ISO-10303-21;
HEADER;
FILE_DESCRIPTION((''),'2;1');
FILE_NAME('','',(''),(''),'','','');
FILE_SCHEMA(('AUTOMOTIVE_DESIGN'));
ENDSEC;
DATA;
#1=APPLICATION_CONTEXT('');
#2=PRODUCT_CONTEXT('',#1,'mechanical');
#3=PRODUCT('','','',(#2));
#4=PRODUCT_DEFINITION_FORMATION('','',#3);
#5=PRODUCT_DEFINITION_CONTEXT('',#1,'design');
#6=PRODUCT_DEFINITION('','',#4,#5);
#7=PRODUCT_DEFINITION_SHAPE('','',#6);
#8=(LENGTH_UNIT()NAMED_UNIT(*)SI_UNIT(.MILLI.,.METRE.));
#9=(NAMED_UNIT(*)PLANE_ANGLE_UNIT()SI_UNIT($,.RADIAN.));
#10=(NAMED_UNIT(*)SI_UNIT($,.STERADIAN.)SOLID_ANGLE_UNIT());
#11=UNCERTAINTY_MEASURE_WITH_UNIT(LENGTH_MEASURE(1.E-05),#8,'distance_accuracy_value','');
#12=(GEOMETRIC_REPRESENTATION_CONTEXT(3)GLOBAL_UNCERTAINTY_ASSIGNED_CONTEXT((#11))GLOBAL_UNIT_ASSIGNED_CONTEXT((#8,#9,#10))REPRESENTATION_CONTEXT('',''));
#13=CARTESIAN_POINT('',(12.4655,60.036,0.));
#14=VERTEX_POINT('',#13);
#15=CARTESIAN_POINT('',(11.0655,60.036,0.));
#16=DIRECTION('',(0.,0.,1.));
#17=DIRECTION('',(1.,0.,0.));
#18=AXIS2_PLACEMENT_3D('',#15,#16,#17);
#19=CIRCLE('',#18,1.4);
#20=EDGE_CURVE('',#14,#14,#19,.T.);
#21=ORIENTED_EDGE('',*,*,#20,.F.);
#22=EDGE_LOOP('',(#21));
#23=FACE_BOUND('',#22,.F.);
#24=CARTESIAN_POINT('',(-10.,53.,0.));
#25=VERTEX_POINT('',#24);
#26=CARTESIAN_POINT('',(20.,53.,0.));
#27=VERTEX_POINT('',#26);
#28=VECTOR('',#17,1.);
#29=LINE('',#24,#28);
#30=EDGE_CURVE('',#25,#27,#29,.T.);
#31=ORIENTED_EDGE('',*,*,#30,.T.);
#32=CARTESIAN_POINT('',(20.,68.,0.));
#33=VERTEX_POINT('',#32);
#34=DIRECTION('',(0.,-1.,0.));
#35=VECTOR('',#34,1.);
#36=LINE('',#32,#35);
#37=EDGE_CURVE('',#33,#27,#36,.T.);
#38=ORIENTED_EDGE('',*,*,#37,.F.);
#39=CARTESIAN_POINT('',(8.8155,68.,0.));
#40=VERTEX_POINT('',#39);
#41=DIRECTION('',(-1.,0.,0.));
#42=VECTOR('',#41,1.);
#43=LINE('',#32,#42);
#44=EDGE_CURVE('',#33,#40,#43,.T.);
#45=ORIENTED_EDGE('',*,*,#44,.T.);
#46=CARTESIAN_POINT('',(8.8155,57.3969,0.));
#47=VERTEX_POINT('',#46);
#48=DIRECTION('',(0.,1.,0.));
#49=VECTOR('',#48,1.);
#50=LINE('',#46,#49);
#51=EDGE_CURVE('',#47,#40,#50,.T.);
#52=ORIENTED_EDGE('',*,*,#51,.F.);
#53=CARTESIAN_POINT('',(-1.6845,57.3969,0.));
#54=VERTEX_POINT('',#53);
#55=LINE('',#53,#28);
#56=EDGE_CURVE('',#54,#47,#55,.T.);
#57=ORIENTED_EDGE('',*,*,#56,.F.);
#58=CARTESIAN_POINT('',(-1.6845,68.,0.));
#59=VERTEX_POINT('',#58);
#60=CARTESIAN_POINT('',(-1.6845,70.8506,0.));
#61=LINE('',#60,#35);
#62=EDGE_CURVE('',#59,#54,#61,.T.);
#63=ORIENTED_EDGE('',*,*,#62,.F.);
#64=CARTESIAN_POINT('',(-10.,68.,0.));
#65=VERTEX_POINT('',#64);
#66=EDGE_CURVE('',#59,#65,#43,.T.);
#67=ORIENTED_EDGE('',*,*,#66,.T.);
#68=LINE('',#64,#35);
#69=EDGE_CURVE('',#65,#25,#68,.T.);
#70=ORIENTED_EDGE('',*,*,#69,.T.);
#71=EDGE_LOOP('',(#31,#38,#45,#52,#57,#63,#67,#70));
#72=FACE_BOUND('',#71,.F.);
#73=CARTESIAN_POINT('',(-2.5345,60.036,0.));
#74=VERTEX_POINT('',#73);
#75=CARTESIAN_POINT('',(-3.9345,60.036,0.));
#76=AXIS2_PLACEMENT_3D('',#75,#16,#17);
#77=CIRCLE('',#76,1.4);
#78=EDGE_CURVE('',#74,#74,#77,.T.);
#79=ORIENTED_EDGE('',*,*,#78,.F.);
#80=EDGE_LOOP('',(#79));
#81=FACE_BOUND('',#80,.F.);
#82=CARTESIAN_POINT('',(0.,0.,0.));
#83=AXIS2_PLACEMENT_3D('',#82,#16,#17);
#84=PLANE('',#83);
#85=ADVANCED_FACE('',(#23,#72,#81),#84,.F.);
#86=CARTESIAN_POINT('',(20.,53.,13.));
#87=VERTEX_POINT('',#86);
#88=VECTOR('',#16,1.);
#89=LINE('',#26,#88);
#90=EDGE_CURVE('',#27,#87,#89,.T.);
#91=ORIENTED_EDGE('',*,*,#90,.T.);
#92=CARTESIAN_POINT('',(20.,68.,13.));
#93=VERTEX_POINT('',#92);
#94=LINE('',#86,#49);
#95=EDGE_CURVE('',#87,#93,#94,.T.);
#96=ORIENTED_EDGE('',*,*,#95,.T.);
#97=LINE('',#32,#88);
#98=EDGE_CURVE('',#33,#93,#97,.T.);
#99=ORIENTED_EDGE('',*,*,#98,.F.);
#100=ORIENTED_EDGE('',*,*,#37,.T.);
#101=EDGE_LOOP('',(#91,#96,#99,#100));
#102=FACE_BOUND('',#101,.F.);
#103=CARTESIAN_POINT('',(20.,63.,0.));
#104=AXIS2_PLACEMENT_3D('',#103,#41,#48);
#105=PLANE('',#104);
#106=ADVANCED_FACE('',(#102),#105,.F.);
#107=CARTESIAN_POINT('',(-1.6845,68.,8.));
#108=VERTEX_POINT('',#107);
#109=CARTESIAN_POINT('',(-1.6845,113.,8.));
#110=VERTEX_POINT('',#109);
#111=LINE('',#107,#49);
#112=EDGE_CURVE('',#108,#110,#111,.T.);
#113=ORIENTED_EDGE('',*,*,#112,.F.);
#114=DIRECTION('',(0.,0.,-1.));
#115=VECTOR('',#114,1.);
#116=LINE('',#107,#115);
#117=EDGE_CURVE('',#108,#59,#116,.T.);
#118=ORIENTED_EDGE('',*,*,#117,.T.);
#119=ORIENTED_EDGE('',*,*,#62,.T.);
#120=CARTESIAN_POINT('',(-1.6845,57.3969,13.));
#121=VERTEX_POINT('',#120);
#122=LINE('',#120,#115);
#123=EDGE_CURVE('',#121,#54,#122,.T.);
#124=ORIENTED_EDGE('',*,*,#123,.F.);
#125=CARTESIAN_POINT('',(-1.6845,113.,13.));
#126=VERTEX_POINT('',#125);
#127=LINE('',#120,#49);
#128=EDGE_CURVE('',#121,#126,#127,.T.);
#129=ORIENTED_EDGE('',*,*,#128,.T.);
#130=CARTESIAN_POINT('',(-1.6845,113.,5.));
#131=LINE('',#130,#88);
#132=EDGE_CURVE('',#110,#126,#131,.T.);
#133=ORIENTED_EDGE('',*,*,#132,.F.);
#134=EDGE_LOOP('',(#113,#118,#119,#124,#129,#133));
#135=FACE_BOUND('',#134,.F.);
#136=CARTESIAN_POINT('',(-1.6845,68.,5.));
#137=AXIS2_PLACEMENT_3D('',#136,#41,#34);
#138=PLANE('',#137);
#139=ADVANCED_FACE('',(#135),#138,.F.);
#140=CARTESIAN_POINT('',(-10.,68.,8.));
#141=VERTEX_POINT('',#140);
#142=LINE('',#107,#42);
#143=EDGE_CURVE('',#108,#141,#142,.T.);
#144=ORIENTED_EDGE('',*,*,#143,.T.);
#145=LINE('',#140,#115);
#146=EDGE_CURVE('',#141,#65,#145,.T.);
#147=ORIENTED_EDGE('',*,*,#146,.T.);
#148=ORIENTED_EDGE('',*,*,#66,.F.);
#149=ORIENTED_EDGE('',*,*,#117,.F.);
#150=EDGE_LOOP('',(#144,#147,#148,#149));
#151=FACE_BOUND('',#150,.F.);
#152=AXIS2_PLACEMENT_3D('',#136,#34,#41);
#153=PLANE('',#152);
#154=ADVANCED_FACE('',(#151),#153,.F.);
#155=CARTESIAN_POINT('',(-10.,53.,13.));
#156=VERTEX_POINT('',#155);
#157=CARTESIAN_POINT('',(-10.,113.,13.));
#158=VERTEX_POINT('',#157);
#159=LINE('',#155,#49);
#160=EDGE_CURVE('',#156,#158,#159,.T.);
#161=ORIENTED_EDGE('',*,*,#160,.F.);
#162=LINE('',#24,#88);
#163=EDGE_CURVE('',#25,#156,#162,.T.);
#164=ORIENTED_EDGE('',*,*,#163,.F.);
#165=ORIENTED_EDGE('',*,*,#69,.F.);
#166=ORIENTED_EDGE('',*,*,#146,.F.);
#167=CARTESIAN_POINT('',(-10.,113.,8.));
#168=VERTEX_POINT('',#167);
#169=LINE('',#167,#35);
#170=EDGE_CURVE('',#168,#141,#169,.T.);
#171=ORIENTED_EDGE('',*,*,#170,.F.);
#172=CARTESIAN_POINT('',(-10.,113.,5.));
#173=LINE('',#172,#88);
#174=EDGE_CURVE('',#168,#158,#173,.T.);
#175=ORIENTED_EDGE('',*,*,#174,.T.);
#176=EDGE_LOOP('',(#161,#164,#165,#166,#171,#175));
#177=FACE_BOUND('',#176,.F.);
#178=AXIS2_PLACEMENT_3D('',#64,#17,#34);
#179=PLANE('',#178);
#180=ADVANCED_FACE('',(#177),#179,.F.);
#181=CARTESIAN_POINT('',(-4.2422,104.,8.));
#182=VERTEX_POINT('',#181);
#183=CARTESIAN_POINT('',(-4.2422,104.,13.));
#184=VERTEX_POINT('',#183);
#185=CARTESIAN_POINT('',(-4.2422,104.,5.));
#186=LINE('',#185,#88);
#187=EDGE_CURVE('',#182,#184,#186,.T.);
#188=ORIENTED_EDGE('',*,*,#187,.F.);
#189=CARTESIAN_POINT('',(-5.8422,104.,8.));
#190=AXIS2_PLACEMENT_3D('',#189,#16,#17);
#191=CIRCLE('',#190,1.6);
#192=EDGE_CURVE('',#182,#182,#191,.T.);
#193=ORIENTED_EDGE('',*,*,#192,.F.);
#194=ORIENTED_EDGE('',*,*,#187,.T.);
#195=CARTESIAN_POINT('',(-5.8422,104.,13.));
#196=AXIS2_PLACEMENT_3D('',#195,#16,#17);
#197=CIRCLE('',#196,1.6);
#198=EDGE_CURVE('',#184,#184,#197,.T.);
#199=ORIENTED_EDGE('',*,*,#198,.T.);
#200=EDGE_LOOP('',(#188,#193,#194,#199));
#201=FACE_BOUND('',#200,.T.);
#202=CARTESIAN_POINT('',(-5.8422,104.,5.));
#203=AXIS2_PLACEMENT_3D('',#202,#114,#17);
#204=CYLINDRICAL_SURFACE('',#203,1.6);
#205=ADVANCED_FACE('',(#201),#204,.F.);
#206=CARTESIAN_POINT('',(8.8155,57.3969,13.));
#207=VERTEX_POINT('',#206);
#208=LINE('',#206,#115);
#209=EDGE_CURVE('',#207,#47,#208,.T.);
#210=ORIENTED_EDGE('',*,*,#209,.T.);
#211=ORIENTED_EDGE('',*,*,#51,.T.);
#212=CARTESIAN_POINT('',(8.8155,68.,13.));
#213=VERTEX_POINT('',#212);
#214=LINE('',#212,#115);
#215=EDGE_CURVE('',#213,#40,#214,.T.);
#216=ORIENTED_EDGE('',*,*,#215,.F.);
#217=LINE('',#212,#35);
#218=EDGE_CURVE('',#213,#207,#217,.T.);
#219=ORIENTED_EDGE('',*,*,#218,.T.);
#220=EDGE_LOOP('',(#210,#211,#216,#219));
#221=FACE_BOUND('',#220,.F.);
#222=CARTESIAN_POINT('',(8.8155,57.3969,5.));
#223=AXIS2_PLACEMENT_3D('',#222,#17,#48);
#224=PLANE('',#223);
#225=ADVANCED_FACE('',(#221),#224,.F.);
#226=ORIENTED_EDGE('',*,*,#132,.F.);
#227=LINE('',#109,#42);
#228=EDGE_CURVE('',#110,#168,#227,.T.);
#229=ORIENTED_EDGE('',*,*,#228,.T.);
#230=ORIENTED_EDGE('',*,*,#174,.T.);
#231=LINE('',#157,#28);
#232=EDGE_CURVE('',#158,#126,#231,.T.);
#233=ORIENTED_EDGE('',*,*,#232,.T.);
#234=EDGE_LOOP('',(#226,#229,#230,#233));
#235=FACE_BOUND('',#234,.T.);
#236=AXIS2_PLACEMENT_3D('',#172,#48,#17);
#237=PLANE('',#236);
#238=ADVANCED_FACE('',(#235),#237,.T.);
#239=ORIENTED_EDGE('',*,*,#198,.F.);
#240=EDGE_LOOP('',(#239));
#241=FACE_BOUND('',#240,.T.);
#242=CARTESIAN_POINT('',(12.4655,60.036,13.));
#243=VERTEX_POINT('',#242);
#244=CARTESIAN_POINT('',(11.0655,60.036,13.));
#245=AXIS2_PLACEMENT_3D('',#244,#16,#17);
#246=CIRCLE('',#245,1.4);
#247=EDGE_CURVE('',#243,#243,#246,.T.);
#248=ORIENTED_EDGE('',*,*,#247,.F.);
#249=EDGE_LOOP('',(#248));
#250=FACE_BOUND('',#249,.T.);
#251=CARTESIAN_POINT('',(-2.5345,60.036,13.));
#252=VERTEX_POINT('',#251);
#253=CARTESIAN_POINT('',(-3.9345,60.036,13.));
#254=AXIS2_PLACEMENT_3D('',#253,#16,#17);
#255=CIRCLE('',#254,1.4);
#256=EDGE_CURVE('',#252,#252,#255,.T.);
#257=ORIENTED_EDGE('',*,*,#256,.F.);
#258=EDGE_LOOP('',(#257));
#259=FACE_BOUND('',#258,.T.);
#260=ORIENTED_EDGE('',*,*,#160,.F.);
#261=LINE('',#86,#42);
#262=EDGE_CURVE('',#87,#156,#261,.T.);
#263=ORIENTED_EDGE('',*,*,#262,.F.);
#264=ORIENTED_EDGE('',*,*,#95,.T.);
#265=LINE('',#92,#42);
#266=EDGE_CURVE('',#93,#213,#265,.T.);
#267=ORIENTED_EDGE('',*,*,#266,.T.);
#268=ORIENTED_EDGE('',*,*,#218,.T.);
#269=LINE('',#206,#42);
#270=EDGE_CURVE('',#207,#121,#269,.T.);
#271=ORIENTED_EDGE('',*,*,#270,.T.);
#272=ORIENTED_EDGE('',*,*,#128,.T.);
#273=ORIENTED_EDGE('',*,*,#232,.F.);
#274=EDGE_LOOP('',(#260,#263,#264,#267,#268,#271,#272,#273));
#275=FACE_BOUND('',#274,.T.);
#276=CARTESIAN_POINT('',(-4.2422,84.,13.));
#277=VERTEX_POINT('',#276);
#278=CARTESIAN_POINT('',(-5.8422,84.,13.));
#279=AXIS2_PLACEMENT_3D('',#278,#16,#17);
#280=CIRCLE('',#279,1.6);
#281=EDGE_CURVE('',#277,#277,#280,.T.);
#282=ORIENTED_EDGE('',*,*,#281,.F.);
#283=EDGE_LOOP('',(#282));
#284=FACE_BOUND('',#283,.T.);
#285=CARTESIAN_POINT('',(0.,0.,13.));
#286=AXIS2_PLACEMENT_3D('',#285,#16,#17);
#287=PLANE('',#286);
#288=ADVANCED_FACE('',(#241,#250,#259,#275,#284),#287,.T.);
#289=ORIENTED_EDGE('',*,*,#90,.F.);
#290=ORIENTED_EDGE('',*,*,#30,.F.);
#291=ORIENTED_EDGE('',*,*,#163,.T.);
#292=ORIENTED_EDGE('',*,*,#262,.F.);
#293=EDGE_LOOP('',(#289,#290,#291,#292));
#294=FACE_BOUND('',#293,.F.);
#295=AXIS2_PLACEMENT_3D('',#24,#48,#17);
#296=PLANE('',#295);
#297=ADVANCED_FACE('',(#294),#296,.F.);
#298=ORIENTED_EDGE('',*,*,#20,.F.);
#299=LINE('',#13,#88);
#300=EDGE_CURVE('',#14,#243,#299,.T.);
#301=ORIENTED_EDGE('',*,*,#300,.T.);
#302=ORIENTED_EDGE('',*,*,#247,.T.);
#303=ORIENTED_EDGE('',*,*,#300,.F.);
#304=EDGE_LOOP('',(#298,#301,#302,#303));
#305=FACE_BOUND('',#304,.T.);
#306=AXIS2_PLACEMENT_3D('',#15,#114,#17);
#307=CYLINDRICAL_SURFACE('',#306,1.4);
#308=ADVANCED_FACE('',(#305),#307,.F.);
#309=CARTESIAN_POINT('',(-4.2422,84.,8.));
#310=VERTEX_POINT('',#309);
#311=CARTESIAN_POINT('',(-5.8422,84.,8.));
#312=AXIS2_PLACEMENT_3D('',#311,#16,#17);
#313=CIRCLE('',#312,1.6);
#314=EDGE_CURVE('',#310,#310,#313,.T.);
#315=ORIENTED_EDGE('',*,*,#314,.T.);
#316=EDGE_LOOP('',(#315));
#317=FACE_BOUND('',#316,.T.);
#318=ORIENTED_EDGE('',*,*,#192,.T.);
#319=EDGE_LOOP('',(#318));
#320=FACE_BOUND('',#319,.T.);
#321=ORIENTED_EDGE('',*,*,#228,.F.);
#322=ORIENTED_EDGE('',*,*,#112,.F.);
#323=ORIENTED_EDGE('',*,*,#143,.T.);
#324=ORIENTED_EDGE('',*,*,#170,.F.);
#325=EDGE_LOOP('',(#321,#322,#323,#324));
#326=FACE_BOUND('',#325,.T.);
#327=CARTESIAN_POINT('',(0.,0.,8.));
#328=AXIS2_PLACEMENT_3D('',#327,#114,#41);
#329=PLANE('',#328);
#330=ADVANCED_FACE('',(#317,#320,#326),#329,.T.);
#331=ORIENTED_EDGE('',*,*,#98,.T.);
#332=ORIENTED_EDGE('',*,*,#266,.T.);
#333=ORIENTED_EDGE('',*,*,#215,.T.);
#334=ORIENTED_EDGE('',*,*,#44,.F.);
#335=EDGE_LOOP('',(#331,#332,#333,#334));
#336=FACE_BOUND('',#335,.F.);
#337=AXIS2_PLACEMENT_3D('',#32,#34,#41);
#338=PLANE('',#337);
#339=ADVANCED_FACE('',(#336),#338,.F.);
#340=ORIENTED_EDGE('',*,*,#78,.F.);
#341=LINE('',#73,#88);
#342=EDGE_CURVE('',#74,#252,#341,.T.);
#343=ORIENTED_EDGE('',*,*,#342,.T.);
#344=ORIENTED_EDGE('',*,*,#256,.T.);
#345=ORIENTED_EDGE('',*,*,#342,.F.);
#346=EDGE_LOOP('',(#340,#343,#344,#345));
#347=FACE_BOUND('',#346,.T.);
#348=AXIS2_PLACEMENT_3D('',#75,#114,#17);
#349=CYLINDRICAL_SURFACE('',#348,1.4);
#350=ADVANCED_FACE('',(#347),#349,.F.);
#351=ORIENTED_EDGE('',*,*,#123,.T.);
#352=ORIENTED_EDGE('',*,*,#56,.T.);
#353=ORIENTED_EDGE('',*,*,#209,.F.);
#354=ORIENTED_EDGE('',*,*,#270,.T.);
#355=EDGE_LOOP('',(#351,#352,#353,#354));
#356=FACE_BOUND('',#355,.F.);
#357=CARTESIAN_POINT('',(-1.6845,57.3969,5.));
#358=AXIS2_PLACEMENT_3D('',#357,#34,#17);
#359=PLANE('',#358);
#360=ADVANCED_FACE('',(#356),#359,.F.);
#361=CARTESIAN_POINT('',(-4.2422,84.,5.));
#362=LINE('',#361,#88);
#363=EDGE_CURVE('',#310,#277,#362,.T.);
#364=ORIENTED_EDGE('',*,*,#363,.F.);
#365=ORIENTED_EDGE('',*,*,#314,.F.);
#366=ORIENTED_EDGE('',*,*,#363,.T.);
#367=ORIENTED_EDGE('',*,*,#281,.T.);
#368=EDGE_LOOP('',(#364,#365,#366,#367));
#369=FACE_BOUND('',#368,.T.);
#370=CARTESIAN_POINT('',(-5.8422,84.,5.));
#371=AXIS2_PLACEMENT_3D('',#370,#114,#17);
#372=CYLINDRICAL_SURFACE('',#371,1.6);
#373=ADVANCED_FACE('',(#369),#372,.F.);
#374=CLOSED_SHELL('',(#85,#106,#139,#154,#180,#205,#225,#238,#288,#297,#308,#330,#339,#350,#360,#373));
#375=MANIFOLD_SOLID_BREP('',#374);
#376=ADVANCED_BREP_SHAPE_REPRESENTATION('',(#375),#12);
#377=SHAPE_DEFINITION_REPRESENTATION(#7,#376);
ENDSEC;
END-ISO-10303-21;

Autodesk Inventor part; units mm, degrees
ref_plane "YZ Plane" through (0, 0, 0) normal (1, 0, 0) x (0, 1, 0)
ref_plane "XZ Plane" through (0, 0, 0) normal (0, 1, 0) x (-1, 0, 0)
ref_plane "XY Plane" through (0, 0, 0) normal (0, 0, 1) x (1, 0, 0)
ref_plane "Arbeitsebene1" through (0, 0, 0) normal (0, 0, 1) x (1, 0, 0)
sketch "Skizze1" plane through (0, 0, 0) normal (0, 0, 1) x (1, 0, 0)
  line L0 (8.8004, 63) -> (20, 63)
  line L1 (20, 63) -> (20, 53)
  line L2 (8.8004, 63) -> (-10, 63)
  line L3 (-10, 63) -> (-10, 53)
  line L4 (-10, 53) -> (20, 53)
  circle A0 centre (-3.9345, 60.036) radius 1.4
  circle A1 centre (11.0655, 60.036) radius 1.4
  line L5 (-10, 63) -> (20, 63)
  line L6 (20, 63) -> (20, 68)
  line L7 (20, 68) -> (-10, 68)
  line L8 (-10, 68) -> (-10, 63)
  point P0 (12.8, 45.75)
  point P1 (12.8, 36.25)
  dimension "d11" = 30
  dimension "d14" = 10
  dimension "d16" = 2.8
  dimension "d17" = 2.8
  dimension "d18" = 15
  dimension "d19" = 0
  dimension "d20" = 5
extrude "Extrusion1" add sketch "Skizze1" along normal blind 5
sketch "Skizze4" plane through (0, 0, 5) normal (0, 0, 1) x (1, 0, 0)
  line L0 (20, 68) -> (-10, 68) projected
  line L1 (-10, 68) -> (-10, 53) projected
  line L2 (-10, 53) -> (20, 53) projected
  circle A0 centre (-3.9345, 60.036) radius 1.4 projected
  circle A1 centre (11.0655, 60.036) radius 1.4 projected
  line L3 (-1.6845, 57.3969) -> (8.8155, 57.3969)
  line L4 (8.8155, 57.3969) -> (8.8155, 70.8506)
  line L5 (8.8155, 70.8506) -> (-1.6845, 70.8506)
  line L6 (-1.6845, 70.8506) -> (-1.6845, 57.3969)
  line L7 (20, 53) -> (20, 68) projected
  point P0 (0, 0)
  point P1 (8.8155, 68)
  point P2 (-1.6845, 68)
  dimension "d21" = 10.5
  dimension "d22" = 2.25
extrude "Extrusion3" cut sketch "Skizze4" against normal blind 5 contours L4 L3 L6 L0
sketch "Skizze5" plane through (0, 0, 5) normal (0, 0, 1) x (1, 0, 0)
  line L0 (-1.6845, 57.3969) -> (-1.6845, 68) projected
  line L1 (-1.6845, 68) -> (-10, 68) projected
  line L2 (-10, 68) -> (-10, 53) projected
  line L3 (-10, 53) -> (20, 53) projected
  line L4 (20, 53) -> (20, 68) projected
  line L5 (20, 68) -> (8.8155, 68) projected
  line L6 (8.8155, 68) -> (8.8155, 57.3969) projected
  line L7 (8.8155, 57.3969) -> (-1.6845, 57.3969) projected
  circle A0 centre (11.0655, 60.036) radius 1.4 projected
  circle A1 centre (-3.9345, 60.036) radius 1.4 projected
  line L8 (-1.6845, 53) -> (-10, 53)
  line L9 (-10, 53) -> (-10, 113)
  line L10 (-10, 113) -> (-1.6845, 113)
  line L11 (-1.6845, 113) -> (-1.6845, 53)
  circle A2 centre (-5.8422, 84) radius 1.6
  circle A3 centre (-5.8422, 104) radius 1.6
  point P0 (0, 0)
  dimension "d26" = 45
  dimension "d27" = 3.2
  dimension "d28" = 3.2
  dimension "d29" = 20
  dimension "d30" = 16
extrude "Extrusion4" add sketch "Skizze5" along normal blind 8
sketch "Skizze6" plane through (0, 0, 5) normal (0, 0, -1) x (-1, 0, 0)
  line L0 (1.6845, 68) -> (10, 68) projected
  line L1 (10, 113) -> (10, 68) projected
  line L2 (1.6845, 113) -> (10, 113) projected
  line L3 (1.6845, 68) -> (1.6845, 113) projected
  circle A0 centre (5.8422, 104) radius 1.6 projected
  circle A1 centre (5.8422, 84) radius 1.6 projected
  line L4 (1.6845, 68) -> (10, 68)
  line L5 (10, 68) -> (10, 113)
  line L6 (10, 113) -> (1.6845, 113)
  line L7 (1.6845, 113) -> (1.6845, 68)
  point P0 (0, 0)
extrude "Extrusion5" cut sketch "Skizze6" against normal blind 3
properties part number "30_XYTable_Aliexpress_naked_endstopX_adapter"
